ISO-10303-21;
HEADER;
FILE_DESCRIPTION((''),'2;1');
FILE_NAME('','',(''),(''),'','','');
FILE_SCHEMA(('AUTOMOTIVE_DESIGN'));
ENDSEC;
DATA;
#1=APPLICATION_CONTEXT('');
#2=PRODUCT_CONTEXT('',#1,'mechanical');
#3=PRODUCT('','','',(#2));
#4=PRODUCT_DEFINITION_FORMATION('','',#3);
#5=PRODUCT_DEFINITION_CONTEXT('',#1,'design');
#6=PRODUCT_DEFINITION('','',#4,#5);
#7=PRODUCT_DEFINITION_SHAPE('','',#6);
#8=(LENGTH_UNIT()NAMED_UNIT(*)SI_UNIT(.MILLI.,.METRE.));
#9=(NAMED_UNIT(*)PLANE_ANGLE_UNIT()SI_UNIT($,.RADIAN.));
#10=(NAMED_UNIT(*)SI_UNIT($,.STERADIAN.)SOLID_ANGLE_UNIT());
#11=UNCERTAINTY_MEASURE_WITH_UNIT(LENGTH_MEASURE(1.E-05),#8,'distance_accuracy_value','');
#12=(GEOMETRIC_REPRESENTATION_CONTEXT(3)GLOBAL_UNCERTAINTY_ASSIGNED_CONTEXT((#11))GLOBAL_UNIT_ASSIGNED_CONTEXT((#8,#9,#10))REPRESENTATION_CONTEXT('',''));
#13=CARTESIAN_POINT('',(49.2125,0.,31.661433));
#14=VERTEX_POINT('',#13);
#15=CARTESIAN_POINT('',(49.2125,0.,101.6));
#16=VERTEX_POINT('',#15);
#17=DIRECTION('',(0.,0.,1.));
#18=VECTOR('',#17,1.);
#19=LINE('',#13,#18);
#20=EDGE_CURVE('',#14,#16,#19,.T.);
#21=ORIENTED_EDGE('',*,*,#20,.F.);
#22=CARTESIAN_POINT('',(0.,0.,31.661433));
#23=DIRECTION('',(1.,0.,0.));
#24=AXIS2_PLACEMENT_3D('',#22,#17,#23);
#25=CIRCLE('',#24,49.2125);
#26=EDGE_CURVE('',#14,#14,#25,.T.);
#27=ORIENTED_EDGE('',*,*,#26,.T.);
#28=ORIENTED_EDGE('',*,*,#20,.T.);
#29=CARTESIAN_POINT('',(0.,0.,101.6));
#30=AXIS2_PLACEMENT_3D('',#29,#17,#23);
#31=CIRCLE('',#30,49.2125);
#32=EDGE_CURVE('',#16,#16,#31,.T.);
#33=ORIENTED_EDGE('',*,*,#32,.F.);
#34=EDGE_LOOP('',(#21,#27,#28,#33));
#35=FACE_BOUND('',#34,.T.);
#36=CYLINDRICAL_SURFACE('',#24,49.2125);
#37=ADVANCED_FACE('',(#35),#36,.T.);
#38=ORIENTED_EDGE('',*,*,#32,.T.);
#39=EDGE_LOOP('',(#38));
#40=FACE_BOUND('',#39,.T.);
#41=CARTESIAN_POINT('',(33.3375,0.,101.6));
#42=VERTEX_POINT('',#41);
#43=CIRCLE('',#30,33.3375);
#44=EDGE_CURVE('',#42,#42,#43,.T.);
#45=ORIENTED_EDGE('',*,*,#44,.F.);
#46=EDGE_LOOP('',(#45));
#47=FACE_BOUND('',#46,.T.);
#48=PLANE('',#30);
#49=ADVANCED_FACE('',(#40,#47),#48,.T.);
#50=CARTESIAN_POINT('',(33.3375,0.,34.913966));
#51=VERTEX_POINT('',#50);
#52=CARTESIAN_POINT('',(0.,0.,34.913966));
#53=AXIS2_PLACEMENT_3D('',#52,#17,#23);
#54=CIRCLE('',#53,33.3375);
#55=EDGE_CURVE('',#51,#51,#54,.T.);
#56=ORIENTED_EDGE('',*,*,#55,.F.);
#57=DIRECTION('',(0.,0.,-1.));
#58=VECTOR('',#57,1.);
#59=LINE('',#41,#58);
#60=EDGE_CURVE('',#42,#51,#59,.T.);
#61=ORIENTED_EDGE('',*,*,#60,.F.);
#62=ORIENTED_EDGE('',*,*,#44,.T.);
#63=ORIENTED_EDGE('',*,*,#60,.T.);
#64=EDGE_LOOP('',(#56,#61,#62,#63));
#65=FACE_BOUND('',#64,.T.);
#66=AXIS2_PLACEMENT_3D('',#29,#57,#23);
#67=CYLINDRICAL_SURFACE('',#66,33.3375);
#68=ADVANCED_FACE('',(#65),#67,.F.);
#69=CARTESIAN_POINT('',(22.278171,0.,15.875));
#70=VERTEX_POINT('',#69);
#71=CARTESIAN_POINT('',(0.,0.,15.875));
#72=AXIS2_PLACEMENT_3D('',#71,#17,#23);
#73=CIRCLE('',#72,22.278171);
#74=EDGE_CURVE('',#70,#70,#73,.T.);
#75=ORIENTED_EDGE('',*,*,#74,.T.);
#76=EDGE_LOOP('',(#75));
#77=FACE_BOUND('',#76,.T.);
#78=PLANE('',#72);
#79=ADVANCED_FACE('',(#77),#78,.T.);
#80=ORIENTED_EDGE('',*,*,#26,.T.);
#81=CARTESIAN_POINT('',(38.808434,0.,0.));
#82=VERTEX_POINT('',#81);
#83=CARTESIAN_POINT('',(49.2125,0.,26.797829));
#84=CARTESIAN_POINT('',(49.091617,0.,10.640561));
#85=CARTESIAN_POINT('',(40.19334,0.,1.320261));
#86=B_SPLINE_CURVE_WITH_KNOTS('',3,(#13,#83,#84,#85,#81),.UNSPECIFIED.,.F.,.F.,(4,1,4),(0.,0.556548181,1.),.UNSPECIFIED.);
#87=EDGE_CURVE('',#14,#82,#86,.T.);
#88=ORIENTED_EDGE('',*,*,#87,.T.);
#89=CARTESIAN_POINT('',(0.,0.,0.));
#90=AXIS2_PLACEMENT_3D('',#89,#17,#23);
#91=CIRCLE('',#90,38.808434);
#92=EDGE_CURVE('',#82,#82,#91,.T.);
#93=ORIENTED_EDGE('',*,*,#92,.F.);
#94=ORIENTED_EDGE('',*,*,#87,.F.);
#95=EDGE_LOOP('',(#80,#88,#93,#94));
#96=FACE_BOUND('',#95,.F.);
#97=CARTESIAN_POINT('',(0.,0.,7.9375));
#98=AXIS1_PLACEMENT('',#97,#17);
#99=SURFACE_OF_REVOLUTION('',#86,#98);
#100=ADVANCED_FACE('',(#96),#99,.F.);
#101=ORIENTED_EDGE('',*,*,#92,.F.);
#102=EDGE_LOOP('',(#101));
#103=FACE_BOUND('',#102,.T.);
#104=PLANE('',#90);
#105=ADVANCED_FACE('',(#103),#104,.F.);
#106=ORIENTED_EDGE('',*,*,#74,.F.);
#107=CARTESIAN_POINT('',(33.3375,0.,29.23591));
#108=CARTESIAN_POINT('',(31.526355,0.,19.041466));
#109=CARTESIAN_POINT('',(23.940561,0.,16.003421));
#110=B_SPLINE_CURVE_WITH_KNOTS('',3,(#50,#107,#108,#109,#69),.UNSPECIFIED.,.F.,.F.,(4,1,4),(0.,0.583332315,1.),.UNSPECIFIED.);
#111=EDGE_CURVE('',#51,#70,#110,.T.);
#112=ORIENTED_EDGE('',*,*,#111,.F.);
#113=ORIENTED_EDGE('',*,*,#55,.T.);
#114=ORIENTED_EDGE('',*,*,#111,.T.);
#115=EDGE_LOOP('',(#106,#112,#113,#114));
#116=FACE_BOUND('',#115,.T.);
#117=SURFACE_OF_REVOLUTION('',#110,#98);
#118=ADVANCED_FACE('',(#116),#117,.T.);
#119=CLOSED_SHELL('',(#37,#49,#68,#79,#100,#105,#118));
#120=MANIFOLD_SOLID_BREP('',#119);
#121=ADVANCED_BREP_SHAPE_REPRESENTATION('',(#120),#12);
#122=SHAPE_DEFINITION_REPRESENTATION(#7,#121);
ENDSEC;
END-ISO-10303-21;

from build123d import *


with BuildPart() as f1:
    # F0 (on Front) → F1 (revolve)
    with BuildSketch(Plane.XZ):
        with BuildLine():
            Line((0, 15.875), (0, 0))
            Line((0, 0), (38.8084338195, 0))
            add(Edge.make_bspline(
                [(49.2125, 31.6614325016), (49.2125, 26.7978290762), (49.0916167773, 10.640561103), (40.193340312, 1.320261391), (38.8084338195, 0)],
                knots=[0, 0, 0, 0, 0.5565481811, 1, 1, 1, 1], degree=3))
            Line((49.2125, 31.6614325016), (49.2125, 101.6))
            Line((49.2125, 101.6), (33.3375, 101.6))
            Line((33.3375, 101.6), (33.3375, 34.9139658104))
            add(Edge.make_bspline(
                [(33.3375, 34.9139658104), (33.3375, 29.2359101374), (31.5263553901, 19.041466207), (23.9405606122, 16.0034213664), (22.2781707294, 15.875)],
                knots=[0, 0, 0, 0, 0.5833323151, 1, 1, 1, 1], degree=3))
            Line((22.2781707294, 15.875), (0, 15.875))
        make_face()
    revolve(axis=Axis((0, 0, 7.9375), (0, 0, 1)))


solid = f1.part
